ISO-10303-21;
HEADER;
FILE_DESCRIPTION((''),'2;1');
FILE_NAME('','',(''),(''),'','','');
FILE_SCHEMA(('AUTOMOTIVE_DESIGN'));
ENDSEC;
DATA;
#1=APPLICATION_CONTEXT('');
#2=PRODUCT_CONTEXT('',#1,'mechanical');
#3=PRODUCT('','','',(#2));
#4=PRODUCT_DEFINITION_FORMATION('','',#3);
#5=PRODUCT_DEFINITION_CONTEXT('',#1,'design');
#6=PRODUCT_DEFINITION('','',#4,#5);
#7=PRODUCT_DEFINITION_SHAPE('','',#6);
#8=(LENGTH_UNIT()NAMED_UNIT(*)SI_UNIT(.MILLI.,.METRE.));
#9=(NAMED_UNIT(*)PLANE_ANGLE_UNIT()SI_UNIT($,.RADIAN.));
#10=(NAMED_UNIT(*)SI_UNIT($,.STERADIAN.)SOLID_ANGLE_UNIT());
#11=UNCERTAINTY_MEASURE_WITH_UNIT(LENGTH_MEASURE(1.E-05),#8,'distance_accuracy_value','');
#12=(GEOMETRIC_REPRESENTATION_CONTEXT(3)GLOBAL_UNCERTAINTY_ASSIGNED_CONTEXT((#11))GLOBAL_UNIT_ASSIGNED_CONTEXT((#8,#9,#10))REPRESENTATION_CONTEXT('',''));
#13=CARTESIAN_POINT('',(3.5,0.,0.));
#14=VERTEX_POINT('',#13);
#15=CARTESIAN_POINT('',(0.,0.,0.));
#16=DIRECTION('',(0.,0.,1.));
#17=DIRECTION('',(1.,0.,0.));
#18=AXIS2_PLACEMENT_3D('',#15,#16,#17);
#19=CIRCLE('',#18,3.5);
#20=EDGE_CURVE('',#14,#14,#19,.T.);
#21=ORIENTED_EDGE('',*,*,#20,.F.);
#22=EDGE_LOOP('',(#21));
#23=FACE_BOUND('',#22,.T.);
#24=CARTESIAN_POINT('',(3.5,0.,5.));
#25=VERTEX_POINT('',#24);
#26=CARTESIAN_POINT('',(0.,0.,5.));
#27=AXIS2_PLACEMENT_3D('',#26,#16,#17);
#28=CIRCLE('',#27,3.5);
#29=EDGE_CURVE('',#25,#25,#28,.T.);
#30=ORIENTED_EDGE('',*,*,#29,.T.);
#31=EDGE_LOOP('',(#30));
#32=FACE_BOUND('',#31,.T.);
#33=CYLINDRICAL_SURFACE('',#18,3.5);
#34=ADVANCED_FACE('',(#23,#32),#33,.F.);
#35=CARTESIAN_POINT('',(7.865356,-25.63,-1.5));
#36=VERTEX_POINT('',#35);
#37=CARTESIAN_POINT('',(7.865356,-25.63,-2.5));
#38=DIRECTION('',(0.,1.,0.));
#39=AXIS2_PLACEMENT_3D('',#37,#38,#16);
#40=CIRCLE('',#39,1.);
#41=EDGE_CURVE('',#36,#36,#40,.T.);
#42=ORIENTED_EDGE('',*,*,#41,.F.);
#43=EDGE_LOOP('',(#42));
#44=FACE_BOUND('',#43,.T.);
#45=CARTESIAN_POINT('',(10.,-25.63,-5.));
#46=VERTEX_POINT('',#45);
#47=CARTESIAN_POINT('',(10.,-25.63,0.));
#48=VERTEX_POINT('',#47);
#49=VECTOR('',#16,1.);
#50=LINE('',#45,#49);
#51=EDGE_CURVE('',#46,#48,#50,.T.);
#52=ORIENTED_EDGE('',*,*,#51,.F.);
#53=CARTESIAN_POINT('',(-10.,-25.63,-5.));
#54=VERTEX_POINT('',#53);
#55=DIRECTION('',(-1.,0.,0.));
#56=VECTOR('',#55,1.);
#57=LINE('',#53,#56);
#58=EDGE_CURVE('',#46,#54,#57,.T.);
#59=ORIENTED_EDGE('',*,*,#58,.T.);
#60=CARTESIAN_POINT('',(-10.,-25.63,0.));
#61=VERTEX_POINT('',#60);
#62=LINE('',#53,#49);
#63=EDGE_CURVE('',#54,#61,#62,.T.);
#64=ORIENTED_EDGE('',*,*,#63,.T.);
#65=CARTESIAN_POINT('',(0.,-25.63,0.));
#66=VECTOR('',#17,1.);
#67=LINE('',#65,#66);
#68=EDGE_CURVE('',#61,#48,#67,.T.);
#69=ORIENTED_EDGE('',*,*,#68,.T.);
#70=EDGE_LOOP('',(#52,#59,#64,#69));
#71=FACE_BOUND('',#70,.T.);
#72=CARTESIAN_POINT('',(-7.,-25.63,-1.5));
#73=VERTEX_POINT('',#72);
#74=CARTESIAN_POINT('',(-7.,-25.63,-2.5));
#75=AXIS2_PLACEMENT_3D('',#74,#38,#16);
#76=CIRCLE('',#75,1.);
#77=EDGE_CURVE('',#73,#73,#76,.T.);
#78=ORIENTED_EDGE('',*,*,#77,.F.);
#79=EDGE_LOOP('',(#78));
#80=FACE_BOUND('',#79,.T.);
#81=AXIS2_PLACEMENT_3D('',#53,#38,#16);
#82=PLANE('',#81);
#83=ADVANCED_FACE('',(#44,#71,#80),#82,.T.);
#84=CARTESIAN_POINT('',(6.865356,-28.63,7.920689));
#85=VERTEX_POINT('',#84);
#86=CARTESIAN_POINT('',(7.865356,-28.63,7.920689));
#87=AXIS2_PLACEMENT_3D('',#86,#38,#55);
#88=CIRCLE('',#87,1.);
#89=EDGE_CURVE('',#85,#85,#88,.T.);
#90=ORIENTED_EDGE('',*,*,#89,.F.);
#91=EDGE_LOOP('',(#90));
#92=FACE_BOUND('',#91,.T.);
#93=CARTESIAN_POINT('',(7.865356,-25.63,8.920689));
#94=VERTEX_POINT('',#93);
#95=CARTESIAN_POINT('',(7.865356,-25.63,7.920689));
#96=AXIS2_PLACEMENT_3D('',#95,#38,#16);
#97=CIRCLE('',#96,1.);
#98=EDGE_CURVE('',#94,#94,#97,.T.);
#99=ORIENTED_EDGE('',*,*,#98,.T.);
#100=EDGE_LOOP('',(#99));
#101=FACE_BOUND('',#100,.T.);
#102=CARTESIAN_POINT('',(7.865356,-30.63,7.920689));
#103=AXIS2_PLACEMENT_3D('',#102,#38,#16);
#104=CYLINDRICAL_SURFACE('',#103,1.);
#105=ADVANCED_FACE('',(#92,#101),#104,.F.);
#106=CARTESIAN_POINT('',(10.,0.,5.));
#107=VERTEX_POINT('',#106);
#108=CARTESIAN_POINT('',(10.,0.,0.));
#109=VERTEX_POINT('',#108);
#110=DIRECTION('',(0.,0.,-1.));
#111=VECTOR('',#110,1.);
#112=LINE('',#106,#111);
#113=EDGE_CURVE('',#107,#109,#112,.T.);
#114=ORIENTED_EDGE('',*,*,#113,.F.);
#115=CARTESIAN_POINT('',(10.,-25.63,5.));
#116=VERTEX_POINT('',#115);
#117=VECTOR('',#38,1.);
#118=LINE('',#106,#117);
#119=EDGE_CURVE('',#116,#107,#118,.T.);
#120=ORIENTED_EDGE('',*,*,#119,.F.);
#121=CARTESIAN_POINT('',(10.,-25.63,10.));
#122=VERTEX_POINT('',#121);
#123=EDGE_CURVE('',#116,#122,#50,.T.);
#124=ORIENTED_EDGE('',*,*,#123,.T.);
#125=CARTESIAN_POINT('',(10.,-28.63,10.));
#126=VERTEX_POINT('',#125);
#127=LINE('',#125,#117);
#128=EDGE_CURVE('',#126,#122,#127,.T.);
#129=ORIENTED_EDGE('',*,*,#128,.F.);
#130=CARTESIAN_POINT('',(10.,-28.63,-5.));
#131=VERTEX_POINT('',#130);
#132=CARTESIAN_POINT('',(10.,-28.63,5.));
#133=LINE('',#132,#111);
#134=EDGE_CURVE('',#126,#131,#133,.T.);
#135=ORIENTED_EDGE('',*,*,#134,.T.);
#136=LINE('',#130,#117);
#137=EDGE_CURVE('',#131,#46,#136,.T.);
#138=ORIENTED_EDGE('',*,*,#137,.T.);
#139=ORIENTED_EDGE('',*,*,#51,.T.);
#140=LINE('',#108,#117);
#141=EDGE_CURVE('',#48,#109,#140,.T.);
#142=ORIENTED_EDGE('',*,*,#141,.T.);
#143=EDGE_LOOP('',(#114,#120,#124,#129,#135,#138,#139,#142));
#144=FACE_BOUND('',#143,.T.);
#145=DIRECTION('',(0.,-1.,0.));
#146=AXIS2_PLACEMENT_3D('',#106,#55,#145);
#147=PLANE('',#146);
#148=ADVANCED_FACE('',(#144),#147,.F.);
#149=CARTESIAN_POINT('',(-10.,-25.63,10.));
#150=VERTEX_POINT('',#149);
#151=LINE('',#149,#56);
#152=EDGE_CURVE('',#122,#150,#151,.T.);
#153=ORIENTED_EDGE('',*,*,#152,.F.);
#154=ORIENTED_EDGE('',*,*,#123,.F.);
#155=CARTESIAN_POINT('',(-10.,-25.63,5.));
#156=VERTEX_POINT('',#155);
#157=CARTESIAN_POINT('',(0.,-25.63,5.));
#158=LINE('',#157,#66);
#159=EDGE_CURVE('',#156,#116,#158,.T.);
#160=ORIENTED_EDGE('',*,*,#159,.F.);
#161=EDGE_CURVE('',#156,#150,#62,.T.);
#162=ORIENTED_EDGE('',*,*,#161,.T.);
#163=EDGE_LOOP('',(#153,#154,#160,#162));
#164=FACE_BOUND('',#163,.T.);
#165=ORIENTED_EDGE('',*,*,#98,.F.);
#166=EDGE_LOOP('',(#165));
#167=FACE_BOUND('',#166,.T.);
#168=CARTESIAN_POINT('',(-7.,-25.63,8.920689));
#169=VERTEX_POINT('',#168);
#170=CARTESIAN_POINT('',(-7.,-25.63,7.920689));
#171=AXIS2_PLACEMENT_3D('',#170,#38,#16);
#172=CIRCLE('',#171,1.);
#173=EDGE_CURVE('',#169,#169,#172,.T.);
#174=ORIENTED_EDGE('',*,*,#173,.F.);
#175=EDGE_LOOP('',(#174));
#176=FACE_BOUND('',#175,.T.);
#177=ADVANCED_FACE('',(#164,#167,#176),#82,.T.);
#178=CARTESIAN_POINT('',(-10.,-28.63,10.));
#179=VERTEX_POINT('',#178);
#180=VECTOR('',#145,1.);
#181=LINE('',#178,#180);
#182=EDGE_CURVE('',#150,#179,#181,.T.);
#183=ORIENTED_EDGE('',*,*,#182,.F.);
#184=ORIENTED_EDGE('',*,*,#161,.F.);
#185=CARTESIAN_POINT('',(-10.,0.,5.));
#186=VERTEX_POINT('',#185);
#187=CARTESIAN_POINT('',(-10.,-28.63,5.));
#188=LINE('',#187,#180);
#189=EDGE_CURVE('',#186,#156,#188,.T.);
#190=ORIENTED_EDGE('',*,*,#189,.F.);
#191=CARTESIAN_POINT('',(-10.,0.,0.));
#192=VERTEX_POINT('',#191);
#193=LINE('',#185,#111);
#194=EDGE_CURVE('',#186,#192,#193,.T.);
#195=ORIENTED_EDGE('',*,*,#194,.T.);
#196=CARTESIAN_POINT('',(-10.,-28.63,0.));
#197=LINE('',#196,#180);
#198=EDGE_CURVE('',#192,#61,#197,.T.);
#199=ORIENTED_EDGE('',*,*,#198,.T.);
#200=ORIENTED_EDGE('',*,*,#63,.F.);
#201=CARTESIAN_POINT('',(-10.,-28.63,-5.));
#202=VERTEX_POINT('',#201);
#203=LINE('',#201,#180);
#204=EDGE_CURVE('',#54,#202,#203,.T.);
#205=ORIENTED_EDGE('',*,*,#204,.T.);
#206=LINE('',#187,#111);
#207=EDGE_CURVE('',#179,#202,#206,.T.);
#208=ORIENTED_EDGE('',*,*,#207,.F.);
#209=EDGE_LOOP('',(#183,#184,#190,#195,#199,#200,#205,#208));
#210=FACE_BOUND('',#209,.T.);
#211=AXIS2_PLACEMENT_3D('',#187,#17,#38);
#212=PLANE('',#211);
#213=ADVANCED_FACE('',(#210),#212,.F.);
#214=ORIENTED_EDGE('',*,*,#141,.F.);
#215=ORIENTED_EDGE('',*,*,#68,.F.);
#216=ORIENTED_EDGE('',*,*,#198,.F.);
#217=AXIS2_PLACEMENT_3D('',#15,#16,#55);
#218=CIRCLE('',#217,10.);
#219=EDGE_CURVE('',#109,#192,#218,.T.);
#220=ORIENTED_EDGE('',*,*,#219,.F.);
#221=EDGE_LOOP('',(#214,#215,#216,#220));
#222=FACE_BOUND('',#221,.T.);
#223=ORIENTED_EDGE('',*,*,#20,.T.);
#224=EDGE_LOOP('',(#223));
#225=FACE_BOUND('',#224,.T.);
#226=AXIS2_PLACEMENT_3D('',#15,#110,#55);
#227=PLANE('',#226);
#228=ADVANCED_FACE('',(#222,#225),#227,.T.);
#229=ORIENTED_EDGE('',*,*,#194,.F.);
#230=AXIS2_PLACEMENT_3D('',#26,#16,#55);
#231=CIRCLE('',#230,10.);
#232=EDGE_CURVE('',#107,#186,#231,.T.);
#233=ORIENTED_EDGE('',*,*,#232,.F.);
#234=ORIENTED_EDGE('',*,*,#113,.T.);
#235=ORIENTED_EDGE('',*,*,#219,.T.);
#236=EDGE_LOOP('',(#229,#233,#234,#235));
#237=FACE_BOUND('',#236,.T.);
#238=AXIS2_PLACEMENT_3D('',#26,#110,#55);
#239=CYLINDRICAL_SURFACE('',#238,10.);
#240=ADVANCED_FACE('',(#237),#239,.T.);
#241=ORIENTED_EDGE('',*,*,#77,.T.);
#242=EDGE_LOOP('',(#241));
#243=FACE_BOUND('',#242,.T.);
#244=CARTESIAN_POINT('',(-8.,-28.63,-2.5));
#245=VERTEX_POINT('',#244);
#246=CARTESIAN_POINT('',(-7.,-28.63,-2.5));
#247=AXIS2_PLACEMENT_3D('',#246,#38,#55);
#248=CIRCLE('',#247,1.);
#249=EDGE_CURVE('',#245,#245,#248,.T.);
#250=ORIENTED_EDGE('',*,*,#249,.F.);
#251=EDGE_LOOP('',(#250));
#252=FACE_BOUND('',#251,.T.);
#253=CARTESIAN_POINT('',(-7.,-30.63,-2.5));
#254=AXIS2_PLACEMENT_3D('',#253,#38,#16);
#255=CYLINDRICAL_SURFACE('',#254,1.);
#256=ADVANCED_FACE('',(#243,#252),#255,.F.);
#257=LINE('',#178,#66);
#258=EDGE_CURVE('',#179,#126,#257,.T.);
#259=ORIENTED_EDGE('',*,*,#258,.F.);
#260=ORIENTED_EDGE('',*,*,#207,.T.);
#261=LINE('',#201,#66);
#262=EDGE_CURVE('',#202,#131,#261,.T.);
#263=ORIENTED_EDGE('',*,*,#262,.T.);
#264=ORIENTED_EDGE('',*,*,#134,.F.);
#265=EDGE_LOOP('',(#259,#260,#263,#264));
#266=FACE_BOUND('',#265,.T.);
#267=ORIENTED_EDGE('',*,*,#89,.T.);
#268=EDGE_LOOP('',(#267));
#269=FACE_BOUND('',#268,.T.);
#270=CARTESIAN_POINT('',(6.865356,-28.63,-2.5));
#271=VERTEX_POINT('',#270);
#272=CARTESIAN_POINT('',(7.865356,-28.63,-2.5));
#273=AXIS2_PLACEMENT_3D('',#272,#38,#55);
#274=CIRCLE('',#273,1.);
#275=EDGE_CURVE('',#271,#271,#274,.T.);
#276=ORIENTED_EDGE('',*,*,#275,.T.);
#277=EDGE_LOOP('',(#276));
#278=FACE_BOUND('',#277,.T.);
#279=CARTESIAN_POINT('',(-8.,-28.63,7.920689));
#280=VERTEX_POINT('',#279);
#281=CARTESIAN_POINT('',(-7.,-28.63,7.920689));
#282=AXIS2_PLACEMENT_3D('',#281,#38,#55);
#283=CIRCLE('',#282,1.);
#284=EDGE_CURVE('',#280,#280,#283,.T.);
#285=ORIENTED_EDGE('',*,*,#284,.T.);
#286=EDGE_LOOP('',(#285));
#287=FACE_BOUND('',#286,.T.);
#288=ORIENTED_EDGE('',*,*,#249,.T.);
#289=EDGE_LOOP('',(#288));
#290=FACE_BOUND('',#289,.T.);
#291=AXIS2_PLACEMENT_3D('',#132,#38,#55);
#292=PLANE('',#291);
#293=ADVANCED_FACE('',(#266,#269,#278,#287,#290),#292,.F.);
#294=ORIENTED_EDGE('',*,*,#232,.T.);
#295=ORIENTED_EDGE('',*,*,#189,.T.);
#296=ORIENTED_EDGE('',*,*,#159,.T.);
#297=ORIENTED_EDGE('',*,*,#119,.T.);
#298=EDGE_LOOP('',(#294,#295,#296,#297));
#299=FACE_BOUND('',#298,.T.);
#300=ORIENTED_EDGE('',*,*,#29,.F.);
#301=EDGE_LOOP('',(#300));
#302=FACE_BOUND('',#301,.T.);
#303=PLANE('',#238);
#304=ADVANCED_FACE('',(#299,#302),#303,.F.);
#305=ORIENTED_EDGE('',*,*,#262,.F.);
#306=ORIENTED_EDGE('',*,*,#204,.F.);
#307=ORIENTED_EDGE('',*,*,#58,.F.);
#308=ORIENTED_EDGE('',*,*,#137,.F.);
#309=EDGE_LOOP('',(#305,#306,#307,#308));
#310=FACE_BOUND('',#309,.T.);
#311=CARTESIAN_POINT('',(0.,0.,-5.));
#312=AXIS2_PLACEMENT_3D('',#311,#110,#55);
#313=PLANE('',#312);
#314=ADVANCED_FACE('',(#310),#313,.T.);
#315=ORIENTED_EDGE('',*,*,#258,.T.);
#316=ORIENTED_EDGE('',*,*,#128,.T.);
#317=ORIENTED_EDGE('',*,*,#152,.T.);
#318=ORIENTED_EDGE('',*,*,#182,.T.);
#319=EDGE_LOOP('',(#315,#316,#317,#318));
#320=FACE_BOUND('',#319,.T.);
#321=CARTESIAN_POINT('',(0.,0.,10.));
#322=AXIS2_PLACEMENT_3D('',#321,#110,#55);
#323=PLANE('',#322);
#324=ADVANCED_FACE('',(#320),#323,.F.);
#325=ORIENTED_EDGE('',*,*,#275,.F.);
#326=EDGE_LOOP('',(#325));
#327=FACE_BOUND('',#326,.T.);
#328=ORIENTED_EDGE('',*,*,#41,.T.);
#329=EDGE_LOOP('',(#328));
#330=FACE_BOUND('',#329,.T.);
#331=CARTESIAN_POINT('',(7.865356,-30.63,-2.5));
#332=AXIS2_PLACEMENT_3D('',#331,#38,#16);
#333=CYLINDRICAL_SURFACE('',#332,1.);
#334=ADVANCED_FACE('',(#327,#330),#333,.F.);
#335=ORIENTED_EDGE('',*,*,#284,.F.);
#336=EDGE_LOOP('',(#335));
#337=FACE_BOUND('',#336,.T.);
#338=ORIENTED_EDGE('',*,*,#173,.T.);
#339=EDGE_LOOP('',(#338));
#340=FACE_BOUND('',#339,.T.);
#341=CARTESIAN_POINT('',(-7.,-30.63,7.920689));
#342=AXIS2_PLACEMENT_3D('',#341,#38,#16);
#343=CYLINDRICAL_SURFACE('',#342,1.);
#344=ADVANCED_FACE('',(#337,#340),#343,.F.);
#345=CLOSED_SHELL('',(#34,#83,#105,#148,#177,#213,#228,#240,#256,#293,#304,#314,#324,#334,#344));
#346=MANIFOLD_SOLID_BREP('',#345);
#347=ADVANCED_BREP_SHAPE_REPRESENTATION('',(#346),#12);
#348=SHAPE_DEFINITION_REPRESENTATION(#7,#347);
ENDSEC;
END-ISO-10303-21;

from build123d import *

# Parameters (mm, degrees)
BOSS_EXTRU_1_DEPTH      = 5
ESQUISSE2_R             = 3.5
ENL_V_MAT_EXTRU_1_DEPTH = 5
BOSS_EXTRU_2_DEPTH      = 5
BOSS_EXTRU_2_DEPTH_BACK = 10
ESQUISSE3_W             = 20
ESQUISSE3_H             = 3
ESQUISSE4_R             = 1
ENL_V_MAT_EXTRU_2_DEPTH = 5


with BuildPart() as part:
    # Esquisse1 → Boss.-Extru.1 (new body)
    with BuildSketch(Plane.XY):
        with BuildLine():
            Line((-10, -28.63), (-10, 0))
            ThreePointArc((-10, 0), (0, 10), (10, 0))
            Line((10, 0), (10, -28.63))
            Line((10, -28.63), (-10, -28.63))
        make_face()
    extrude(amount=BOSS_EXTRU_1_DEPTH)

    # Esquisse2 → Enlèv. mat.-Extru.1 (cut)
    with BuildSketch(Plane.XY.offset(5)):
        Circle(ESQUISSE2_R)
    extrude(amount=-ENL_V_MAT_EXTRU_1_DEPTH, mode=Mode.SUBTRACT)

    # Esquisse3 → Boss.-Extru.2 (add, two sides: drawn at the far end of the back side and taken through both)
    with BuildSketch(Plane.XY.offset(5).offset(-BOSS_EXTRU_2_DEPTH_BACK)):
        with Locations((0, -27.13)):
            Rectangle(ESQUISSE3_W, ESQUISSE3_H)
    extrude(amount=BOSS_EXTRU_2_DEPTH + BOSS_EXTRU_2_DEPTH_BACK)

    # Esquisse4 → Enlèv. mat.-Extru.2 (cut)
    with BuildSketch(Plane(origin=(0, -25.63, 0), x_dir=(1, 0, 0), z_dir=(0, 1, 0))):
        with Locations(Location((-7, -7.92068908, 0), (0, 0, 270))):
            Circle(ESQUISSE4_R)
        with Locations(Location((7.865355749, -7.92068908, 0), (0, 0, 270))):
            Circle(ESQUISSE4_R)
        with Locations(Location((7.865355749, 2.5, 0), (0, 0, 270))):
            Circle(ESQUISSE4_R)
        with Locations(Location((-7, 2.5, 0), (0, 0, 270))):
            Circle(ESQUISSE4_R)
    extrude(amount=-ENL_V_MAT_EXTRU_2_DEPTH, mode=Mode.SUBTRACT)


solid = part.part
